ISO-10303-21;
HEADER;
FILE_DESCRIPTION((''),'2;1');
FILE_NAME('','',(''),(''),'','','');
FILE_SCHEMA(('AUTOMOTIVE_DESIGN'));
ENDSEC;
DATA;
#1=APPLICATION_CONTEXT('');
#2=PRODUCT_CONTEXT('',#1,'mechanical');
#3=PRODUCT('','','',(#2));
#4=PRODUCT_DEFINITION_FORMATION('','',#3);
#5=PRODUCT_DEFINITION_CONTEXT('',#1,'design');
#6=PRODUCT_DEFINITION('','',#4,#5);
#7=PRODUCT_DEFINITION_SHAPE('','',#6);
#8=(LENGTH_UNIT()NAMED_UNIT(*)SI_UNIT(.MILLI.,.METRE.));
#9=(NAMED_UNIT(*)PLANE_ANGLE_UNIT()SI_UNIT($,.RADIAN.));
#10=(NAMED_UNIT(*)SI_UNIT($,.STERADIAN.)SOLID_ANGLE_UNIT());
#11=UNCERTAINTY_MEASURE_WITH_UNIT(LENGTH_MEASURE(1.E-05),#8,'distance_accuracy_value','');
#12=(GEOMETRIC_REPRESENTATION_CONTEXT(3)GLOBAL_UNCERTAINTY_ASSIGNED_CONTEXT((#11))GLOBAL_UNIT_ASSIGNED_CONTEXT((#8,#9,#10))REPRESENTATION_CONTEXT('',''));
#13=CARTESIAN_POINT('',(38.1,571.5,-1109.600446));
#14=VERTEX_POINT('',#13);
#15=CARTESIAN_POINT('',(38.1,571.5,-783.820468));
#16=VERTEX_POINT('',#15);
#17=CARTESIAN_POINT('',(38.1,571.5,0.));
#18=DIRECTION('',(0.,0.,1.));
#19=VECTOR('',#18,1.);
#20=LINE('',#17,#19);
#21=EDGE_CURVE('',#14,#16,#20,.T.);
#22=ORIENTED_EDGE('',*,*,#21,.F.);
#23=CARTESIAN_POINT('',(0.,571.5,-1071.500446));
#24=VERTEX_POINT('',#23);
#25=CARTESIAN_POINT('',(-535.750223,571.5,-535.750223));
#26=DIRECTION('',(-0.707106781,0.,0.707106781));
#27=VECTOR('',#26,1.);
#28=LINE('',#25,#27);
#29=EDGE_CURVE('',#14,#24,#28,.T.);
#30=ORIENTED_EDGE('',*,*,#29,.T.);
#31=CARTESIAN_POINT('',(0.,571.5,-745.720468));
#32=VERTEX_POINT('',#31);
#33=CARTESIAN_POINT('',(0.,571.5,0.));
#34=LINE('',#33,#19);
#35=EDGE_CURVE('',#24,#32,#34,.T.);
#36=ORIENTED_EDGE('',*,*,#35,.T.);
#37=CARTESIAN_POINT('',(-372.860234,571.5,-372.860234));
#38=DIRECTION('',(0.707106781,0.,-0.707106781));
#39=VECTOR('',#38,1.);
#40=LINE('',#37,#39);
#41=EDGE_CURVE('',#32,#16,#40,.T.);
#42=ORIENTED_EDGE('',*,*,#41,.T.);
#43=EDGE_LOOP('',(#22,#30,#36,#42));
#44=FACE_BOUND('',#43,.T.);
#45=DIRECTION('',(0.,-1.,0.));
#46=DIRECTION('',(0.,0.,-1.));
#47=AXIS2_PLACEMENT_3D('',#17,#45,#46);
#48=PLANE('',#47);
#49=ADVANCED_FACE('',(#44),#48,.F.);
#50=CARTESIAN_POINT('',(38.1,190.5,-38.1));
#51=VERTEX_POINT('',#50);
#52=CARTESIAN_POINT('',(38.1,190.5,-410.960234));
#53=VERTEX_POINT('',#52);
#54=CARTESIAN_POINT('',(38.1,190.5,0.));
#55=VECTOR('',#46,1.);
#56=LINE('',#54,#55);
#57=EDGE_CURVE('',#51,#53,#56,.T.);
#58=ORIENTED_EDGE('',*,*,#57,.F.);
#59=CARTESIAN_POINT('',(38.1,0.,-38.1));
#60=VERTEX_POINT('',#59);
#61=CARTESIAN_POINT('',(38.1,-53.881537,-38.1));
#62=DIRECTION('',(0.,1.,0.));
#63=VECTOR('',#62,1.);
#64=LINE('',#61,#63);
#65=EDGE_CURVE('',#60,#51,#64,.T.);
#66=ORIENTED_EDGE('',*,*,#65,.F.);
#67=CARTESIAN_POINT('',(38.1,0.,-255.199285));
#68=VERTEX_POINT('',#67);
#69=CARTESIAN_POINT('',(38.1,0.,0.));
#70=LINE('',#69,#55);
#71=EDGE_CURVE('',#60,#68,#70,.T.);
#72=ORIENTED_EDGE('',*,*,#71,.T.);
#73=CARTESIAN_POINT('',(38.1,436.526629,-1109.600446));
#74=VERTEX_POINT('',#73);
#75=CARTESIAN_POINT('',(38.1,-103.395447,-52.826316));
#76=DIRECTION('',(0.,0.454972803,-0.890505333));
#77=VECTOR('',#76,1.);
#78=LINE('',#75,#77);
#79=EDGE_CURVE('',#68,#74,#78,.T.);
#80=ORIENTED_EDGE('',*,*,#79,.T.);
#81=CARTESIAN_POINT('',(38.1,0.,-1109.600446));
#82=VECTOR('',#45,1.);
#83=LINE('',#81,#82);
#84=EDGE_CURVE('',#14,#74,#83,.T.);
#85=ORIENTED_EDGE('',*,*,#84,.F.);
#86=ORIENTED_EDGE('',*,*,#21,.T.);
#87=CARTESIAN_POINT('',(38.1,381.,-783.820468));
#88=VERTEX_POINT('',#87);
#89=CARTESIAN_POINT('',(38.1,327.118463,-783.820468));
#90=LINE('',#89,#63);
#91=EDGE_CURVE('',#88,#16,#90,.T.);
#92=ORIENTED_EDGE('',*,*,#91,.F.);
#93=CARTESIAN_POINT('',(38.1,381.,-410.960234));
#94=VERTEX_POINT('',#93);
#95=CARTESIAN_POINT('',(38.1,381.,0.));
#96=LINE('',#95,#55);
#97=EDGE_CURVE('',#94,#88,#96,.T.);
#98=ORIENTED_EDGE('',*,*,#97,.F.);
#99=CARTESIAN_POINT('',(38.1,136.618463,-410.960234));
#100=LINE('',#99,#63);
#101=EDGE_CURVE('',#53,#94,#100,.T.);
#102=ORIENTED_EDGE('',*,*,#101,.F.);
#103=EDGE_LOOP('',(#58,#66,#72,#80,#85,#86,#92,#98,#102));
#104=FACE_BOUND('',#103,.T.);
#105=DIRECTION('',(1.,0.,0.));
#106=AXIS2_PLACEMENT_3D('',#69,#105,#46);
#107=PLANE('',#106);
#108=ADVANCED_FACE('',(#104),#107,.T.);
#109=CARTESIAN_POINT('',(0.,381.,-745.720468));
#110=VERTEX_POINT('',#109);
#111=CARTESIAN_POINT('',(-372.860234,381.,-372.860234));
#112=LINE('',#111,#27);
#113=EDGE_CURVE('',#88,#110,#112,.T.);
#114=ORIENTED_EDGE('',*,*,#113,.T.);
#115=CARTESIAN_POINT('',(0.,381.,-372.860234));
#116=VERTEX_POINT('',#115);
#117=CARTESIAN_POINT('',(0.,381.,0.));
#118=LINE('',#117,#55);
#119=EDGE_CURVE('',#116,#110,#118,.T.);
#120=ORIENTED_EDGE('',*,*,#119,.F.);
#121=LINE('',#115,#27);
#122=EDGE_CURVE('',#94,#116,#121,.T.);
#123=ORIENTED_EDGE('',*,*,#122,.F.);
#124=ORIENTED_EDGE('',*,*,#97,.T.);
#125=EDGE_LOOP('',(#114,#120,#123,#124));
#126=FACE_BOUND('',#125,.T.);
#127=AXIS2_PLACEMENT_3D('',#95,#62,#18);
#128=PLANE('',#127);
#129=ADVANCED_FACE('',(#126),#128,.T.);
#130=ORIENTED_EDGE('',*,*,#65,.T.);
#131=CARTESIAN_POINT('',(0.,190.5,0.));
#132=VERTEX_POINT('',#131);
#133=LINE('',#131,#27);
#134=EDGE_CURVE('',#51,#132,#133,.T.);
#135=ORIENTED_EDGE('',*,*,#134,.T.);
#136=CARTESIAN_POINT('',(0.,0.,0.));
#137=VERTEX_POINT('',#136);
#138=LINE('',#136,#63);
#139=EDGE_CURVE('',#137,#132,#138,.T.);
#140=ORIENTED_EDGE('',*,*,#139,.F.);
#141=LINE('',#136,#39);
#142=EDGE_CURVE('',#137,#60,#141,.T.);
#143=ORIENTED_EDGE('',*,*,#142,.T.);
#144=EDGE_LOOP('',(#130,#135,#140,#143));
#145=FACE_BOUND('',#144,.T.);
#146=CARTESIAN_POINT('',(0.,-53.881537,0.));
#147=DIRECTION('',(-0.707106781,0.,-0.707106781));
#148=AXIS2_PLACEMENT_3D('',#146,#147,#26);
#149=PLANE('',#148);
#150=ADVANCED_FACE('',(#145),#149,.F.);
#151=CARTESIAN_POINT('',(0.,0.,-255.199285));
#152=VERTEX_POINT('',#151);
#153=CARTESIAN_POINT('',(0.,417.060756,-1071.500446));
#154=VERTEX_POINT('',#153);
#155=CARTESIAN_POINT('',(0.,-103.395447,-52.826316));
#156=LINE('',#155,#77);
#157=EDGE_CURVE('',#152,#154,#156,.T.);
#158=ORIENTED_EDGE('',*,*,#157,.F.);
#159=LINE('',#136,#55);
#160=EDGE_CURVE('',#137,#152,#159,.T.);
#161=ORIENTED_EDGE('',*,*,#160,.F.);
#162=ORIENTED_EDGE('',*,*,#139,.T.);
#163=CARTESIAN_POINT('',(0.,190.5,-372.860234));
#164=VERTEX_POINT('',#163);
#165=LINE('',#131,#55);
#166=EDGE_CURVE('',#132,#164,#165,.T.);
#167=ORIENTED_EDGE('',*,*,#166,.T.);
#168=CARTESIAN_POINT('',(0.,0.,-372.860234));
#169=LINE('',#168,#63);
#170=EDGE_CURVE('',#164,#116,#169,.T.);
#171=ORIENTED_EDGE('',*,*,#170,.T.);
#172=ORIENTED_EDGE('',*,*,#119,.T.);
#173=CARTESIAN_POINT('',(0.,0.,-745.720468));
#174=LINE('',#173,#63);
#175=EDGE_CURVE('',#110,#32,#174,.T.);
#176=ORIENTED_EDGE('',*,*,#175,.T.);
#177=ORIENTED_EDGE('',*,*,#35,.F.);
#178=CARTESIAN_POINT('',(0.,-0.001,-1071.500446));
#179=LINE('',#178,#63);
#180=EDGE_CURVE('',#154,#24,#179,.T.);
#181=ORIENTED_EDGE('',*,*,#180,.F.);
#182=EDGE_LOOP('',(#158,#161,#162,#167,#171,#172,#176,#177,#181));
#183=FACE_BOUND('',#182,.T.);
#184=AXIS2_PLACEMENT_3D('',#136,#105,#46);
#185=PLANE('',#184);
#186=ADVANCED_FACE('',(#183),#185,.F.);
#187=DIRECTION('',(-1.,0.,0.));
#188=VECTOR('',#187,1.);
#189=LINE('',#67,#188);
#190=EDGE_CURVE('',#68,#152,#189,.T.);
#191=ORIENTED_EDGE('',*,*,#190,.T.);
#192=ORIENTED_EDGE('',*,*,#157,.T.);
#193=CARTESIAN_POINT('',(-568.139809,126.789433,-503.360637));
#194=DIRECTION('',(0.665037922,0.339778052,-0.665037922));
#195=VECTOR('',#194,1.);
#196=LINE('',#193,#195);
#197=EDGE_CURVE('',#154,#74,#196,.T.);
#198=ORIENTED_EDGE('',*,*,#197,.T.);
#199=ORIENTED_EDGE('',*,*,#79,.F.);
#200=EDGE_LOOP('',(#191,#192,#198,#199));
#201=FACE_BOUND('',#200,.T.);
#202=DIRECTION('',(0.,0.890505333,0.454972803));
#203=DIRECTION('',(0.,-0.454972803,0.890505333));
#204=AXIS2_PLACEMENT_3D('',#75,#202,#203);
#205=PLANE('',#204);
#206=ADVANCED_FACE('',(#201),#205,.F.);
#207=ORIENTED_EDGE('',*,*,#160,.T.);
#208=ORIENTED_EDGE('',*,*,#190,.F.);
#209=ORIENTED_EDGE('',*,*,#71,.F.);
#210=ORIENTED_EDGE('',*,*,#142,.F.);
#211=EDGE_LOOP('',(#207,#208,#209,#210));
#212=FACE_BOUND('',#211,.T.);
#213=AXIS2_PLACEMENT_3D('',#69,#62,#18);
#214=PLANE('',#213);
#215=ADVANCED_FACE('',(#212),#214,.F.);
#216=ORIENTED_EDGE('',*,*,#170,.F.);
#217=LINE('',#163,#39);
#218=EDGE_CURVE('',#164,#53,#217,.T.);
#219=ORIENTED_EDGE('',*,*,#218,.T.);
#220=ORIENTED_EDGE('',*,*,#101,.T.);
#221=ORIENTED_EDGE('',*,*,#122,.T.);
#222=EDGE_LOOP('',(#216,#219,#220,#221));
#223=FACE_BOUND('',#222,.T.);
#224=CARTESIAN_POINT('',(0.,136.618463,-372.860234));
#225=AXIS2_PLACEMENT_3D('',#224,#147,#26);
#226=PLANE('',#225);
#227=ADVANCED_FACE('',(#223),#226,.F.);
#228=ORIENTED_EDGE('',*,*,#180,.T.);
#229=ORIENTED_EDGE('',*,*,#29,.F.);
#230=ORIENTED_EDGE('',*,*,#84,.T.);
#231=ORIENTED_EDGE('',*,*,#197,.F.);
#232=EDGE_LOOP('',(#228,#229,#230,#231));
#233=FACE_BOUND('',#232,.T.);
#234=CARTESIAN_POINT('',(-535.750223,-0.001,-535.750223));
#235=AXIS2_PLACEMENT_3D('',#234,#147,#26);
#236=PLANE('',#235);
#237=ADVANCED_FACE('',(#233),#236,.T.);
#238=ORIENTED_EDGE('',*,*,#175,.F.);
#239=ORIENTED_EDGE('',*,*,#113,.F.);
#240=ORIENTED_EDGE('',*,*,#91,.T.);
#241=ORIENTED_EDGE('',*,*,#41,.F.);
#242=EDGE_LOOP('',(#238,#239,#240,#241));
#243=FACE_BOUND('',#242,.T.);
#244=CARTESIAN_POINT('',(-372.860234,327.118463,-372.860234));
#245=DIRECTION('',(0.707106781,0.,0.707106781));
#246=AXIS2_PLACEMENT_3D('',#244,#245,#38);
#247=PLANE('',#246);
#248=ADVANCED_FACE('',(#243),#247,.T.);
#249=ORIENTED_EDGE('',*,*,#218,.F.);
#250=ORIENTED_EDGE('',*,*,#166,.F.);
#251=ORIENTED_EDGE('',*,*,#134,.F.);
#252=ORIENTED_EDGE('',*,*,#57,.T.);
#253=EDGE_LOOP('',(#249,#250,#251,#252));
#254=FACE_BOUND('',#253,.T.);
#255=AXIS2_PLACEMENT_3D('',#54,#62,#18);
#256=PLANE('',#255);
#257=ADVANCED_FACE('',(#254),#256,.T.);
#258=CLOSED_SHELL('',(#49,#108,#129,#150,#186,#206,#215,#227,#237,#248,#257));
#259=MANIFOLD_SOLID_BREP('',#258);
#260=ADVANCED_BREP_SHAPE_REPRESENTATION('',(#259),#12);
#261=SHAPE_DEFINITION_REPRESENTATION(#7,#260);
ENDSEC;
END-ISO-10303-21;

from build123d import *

# Parameters (mm, degrees)
BOSS_EXTRUDE2_DEPTH = 38.1
CUT_EXTRUDE4_DEPTH  = 190.5
CUT_EXTRUDE5_DEPTH  = 190.5
CUT_EXTRUDE6_REACH  = 573.5
CUT_EXTRUDE7_DEPTH  = 190.5


with BuildPart() as part:
    # Sketch1 → Boss-Extrude2 (new body)
    with BuildSketch(Plane(origin=(0, 0, 0), x_dir=(0, 0, -1), z_dir=(1, 0, 0))):
        Polygon((0, 0), (0, 190.5), (372.860234147, 190.5), (372.860234147, 381), (745.720468294, 381), (745.720468294, 571.5), (1109.600446319, 571.5), (1109.600446319, 436.526629402), (255.199284902, 0), align=None)
    extrude(amount=BOSS_EXTRUDE2_DEPTH)

    # Sketch3 → Cut-Extrude4 (cut)
    with BuildSketch(Plane(origin=(0, 381, 0), x_dir=(1, 0, 0), z_dir=(0, 1, 0))):
        Polygon((0, 372.860234147), (38.1, 410.960234147), (38.1, 372.860234147), align=None)
    extrude(amount=-CUT_EXTRUDE4_DEPTH, mode=Mode.SUBTRACT)

    # Sketch4 → Cut-Extrude5 (cut)
    with BuildSketch(Plane(origin=(0, 190.5, 0), x_dir=(1, 0, 0), z_dir=(0, 1, 0))):
        Polygon((0, 0), (38.1, 38.1), (38.1, 0), align=None)
    extrude(amount=-CUT_EXTRUDE5_DEPTH, mode=Mode.SUBTRACT)

    # Sketch2 → Cut-Extrude6 (cut, up to next)
    with BuildSketch(Plane(origin=(0, 571.5, 0), x_dir=(1, 0, 0), z_dir=(0, 1, 0)), mode=Mode.PRIVATE) as cut_extrude6_sk1:
        Polygon((0, 1071.500446319), (38.1, 1109.600446319), (0, 1109.600446319), align=None)
    cut_extrude6_tool1 = extrude(cut_extrude6_sk1.sketch, amount=-CUT_EXTRUDE6_REACH, mode=Mode.PRIVATE) & part.part
    add(cut_extrude6_tool1.solids().sort_by_distance((12.7, 571.5, -1096.900446))[0], mode=Mode.SUBTRACT)

    # Sketch2<5> → Cut-Extrude7 (cut)
    with BuildSketch(Plane(origin=(0, 571.5, 0), x_dir=(1, 0, 0), z_dir=(0, 1, 0))):
        Polygon((38.1, 745.720468294), (38.1, 783.820468294), (0, 745.720468294), align=None)
    extrude(amount=-CUT_EXTRUDE7_DEPTH, mode=Mode.SUBTRACT)


solid = part.part
